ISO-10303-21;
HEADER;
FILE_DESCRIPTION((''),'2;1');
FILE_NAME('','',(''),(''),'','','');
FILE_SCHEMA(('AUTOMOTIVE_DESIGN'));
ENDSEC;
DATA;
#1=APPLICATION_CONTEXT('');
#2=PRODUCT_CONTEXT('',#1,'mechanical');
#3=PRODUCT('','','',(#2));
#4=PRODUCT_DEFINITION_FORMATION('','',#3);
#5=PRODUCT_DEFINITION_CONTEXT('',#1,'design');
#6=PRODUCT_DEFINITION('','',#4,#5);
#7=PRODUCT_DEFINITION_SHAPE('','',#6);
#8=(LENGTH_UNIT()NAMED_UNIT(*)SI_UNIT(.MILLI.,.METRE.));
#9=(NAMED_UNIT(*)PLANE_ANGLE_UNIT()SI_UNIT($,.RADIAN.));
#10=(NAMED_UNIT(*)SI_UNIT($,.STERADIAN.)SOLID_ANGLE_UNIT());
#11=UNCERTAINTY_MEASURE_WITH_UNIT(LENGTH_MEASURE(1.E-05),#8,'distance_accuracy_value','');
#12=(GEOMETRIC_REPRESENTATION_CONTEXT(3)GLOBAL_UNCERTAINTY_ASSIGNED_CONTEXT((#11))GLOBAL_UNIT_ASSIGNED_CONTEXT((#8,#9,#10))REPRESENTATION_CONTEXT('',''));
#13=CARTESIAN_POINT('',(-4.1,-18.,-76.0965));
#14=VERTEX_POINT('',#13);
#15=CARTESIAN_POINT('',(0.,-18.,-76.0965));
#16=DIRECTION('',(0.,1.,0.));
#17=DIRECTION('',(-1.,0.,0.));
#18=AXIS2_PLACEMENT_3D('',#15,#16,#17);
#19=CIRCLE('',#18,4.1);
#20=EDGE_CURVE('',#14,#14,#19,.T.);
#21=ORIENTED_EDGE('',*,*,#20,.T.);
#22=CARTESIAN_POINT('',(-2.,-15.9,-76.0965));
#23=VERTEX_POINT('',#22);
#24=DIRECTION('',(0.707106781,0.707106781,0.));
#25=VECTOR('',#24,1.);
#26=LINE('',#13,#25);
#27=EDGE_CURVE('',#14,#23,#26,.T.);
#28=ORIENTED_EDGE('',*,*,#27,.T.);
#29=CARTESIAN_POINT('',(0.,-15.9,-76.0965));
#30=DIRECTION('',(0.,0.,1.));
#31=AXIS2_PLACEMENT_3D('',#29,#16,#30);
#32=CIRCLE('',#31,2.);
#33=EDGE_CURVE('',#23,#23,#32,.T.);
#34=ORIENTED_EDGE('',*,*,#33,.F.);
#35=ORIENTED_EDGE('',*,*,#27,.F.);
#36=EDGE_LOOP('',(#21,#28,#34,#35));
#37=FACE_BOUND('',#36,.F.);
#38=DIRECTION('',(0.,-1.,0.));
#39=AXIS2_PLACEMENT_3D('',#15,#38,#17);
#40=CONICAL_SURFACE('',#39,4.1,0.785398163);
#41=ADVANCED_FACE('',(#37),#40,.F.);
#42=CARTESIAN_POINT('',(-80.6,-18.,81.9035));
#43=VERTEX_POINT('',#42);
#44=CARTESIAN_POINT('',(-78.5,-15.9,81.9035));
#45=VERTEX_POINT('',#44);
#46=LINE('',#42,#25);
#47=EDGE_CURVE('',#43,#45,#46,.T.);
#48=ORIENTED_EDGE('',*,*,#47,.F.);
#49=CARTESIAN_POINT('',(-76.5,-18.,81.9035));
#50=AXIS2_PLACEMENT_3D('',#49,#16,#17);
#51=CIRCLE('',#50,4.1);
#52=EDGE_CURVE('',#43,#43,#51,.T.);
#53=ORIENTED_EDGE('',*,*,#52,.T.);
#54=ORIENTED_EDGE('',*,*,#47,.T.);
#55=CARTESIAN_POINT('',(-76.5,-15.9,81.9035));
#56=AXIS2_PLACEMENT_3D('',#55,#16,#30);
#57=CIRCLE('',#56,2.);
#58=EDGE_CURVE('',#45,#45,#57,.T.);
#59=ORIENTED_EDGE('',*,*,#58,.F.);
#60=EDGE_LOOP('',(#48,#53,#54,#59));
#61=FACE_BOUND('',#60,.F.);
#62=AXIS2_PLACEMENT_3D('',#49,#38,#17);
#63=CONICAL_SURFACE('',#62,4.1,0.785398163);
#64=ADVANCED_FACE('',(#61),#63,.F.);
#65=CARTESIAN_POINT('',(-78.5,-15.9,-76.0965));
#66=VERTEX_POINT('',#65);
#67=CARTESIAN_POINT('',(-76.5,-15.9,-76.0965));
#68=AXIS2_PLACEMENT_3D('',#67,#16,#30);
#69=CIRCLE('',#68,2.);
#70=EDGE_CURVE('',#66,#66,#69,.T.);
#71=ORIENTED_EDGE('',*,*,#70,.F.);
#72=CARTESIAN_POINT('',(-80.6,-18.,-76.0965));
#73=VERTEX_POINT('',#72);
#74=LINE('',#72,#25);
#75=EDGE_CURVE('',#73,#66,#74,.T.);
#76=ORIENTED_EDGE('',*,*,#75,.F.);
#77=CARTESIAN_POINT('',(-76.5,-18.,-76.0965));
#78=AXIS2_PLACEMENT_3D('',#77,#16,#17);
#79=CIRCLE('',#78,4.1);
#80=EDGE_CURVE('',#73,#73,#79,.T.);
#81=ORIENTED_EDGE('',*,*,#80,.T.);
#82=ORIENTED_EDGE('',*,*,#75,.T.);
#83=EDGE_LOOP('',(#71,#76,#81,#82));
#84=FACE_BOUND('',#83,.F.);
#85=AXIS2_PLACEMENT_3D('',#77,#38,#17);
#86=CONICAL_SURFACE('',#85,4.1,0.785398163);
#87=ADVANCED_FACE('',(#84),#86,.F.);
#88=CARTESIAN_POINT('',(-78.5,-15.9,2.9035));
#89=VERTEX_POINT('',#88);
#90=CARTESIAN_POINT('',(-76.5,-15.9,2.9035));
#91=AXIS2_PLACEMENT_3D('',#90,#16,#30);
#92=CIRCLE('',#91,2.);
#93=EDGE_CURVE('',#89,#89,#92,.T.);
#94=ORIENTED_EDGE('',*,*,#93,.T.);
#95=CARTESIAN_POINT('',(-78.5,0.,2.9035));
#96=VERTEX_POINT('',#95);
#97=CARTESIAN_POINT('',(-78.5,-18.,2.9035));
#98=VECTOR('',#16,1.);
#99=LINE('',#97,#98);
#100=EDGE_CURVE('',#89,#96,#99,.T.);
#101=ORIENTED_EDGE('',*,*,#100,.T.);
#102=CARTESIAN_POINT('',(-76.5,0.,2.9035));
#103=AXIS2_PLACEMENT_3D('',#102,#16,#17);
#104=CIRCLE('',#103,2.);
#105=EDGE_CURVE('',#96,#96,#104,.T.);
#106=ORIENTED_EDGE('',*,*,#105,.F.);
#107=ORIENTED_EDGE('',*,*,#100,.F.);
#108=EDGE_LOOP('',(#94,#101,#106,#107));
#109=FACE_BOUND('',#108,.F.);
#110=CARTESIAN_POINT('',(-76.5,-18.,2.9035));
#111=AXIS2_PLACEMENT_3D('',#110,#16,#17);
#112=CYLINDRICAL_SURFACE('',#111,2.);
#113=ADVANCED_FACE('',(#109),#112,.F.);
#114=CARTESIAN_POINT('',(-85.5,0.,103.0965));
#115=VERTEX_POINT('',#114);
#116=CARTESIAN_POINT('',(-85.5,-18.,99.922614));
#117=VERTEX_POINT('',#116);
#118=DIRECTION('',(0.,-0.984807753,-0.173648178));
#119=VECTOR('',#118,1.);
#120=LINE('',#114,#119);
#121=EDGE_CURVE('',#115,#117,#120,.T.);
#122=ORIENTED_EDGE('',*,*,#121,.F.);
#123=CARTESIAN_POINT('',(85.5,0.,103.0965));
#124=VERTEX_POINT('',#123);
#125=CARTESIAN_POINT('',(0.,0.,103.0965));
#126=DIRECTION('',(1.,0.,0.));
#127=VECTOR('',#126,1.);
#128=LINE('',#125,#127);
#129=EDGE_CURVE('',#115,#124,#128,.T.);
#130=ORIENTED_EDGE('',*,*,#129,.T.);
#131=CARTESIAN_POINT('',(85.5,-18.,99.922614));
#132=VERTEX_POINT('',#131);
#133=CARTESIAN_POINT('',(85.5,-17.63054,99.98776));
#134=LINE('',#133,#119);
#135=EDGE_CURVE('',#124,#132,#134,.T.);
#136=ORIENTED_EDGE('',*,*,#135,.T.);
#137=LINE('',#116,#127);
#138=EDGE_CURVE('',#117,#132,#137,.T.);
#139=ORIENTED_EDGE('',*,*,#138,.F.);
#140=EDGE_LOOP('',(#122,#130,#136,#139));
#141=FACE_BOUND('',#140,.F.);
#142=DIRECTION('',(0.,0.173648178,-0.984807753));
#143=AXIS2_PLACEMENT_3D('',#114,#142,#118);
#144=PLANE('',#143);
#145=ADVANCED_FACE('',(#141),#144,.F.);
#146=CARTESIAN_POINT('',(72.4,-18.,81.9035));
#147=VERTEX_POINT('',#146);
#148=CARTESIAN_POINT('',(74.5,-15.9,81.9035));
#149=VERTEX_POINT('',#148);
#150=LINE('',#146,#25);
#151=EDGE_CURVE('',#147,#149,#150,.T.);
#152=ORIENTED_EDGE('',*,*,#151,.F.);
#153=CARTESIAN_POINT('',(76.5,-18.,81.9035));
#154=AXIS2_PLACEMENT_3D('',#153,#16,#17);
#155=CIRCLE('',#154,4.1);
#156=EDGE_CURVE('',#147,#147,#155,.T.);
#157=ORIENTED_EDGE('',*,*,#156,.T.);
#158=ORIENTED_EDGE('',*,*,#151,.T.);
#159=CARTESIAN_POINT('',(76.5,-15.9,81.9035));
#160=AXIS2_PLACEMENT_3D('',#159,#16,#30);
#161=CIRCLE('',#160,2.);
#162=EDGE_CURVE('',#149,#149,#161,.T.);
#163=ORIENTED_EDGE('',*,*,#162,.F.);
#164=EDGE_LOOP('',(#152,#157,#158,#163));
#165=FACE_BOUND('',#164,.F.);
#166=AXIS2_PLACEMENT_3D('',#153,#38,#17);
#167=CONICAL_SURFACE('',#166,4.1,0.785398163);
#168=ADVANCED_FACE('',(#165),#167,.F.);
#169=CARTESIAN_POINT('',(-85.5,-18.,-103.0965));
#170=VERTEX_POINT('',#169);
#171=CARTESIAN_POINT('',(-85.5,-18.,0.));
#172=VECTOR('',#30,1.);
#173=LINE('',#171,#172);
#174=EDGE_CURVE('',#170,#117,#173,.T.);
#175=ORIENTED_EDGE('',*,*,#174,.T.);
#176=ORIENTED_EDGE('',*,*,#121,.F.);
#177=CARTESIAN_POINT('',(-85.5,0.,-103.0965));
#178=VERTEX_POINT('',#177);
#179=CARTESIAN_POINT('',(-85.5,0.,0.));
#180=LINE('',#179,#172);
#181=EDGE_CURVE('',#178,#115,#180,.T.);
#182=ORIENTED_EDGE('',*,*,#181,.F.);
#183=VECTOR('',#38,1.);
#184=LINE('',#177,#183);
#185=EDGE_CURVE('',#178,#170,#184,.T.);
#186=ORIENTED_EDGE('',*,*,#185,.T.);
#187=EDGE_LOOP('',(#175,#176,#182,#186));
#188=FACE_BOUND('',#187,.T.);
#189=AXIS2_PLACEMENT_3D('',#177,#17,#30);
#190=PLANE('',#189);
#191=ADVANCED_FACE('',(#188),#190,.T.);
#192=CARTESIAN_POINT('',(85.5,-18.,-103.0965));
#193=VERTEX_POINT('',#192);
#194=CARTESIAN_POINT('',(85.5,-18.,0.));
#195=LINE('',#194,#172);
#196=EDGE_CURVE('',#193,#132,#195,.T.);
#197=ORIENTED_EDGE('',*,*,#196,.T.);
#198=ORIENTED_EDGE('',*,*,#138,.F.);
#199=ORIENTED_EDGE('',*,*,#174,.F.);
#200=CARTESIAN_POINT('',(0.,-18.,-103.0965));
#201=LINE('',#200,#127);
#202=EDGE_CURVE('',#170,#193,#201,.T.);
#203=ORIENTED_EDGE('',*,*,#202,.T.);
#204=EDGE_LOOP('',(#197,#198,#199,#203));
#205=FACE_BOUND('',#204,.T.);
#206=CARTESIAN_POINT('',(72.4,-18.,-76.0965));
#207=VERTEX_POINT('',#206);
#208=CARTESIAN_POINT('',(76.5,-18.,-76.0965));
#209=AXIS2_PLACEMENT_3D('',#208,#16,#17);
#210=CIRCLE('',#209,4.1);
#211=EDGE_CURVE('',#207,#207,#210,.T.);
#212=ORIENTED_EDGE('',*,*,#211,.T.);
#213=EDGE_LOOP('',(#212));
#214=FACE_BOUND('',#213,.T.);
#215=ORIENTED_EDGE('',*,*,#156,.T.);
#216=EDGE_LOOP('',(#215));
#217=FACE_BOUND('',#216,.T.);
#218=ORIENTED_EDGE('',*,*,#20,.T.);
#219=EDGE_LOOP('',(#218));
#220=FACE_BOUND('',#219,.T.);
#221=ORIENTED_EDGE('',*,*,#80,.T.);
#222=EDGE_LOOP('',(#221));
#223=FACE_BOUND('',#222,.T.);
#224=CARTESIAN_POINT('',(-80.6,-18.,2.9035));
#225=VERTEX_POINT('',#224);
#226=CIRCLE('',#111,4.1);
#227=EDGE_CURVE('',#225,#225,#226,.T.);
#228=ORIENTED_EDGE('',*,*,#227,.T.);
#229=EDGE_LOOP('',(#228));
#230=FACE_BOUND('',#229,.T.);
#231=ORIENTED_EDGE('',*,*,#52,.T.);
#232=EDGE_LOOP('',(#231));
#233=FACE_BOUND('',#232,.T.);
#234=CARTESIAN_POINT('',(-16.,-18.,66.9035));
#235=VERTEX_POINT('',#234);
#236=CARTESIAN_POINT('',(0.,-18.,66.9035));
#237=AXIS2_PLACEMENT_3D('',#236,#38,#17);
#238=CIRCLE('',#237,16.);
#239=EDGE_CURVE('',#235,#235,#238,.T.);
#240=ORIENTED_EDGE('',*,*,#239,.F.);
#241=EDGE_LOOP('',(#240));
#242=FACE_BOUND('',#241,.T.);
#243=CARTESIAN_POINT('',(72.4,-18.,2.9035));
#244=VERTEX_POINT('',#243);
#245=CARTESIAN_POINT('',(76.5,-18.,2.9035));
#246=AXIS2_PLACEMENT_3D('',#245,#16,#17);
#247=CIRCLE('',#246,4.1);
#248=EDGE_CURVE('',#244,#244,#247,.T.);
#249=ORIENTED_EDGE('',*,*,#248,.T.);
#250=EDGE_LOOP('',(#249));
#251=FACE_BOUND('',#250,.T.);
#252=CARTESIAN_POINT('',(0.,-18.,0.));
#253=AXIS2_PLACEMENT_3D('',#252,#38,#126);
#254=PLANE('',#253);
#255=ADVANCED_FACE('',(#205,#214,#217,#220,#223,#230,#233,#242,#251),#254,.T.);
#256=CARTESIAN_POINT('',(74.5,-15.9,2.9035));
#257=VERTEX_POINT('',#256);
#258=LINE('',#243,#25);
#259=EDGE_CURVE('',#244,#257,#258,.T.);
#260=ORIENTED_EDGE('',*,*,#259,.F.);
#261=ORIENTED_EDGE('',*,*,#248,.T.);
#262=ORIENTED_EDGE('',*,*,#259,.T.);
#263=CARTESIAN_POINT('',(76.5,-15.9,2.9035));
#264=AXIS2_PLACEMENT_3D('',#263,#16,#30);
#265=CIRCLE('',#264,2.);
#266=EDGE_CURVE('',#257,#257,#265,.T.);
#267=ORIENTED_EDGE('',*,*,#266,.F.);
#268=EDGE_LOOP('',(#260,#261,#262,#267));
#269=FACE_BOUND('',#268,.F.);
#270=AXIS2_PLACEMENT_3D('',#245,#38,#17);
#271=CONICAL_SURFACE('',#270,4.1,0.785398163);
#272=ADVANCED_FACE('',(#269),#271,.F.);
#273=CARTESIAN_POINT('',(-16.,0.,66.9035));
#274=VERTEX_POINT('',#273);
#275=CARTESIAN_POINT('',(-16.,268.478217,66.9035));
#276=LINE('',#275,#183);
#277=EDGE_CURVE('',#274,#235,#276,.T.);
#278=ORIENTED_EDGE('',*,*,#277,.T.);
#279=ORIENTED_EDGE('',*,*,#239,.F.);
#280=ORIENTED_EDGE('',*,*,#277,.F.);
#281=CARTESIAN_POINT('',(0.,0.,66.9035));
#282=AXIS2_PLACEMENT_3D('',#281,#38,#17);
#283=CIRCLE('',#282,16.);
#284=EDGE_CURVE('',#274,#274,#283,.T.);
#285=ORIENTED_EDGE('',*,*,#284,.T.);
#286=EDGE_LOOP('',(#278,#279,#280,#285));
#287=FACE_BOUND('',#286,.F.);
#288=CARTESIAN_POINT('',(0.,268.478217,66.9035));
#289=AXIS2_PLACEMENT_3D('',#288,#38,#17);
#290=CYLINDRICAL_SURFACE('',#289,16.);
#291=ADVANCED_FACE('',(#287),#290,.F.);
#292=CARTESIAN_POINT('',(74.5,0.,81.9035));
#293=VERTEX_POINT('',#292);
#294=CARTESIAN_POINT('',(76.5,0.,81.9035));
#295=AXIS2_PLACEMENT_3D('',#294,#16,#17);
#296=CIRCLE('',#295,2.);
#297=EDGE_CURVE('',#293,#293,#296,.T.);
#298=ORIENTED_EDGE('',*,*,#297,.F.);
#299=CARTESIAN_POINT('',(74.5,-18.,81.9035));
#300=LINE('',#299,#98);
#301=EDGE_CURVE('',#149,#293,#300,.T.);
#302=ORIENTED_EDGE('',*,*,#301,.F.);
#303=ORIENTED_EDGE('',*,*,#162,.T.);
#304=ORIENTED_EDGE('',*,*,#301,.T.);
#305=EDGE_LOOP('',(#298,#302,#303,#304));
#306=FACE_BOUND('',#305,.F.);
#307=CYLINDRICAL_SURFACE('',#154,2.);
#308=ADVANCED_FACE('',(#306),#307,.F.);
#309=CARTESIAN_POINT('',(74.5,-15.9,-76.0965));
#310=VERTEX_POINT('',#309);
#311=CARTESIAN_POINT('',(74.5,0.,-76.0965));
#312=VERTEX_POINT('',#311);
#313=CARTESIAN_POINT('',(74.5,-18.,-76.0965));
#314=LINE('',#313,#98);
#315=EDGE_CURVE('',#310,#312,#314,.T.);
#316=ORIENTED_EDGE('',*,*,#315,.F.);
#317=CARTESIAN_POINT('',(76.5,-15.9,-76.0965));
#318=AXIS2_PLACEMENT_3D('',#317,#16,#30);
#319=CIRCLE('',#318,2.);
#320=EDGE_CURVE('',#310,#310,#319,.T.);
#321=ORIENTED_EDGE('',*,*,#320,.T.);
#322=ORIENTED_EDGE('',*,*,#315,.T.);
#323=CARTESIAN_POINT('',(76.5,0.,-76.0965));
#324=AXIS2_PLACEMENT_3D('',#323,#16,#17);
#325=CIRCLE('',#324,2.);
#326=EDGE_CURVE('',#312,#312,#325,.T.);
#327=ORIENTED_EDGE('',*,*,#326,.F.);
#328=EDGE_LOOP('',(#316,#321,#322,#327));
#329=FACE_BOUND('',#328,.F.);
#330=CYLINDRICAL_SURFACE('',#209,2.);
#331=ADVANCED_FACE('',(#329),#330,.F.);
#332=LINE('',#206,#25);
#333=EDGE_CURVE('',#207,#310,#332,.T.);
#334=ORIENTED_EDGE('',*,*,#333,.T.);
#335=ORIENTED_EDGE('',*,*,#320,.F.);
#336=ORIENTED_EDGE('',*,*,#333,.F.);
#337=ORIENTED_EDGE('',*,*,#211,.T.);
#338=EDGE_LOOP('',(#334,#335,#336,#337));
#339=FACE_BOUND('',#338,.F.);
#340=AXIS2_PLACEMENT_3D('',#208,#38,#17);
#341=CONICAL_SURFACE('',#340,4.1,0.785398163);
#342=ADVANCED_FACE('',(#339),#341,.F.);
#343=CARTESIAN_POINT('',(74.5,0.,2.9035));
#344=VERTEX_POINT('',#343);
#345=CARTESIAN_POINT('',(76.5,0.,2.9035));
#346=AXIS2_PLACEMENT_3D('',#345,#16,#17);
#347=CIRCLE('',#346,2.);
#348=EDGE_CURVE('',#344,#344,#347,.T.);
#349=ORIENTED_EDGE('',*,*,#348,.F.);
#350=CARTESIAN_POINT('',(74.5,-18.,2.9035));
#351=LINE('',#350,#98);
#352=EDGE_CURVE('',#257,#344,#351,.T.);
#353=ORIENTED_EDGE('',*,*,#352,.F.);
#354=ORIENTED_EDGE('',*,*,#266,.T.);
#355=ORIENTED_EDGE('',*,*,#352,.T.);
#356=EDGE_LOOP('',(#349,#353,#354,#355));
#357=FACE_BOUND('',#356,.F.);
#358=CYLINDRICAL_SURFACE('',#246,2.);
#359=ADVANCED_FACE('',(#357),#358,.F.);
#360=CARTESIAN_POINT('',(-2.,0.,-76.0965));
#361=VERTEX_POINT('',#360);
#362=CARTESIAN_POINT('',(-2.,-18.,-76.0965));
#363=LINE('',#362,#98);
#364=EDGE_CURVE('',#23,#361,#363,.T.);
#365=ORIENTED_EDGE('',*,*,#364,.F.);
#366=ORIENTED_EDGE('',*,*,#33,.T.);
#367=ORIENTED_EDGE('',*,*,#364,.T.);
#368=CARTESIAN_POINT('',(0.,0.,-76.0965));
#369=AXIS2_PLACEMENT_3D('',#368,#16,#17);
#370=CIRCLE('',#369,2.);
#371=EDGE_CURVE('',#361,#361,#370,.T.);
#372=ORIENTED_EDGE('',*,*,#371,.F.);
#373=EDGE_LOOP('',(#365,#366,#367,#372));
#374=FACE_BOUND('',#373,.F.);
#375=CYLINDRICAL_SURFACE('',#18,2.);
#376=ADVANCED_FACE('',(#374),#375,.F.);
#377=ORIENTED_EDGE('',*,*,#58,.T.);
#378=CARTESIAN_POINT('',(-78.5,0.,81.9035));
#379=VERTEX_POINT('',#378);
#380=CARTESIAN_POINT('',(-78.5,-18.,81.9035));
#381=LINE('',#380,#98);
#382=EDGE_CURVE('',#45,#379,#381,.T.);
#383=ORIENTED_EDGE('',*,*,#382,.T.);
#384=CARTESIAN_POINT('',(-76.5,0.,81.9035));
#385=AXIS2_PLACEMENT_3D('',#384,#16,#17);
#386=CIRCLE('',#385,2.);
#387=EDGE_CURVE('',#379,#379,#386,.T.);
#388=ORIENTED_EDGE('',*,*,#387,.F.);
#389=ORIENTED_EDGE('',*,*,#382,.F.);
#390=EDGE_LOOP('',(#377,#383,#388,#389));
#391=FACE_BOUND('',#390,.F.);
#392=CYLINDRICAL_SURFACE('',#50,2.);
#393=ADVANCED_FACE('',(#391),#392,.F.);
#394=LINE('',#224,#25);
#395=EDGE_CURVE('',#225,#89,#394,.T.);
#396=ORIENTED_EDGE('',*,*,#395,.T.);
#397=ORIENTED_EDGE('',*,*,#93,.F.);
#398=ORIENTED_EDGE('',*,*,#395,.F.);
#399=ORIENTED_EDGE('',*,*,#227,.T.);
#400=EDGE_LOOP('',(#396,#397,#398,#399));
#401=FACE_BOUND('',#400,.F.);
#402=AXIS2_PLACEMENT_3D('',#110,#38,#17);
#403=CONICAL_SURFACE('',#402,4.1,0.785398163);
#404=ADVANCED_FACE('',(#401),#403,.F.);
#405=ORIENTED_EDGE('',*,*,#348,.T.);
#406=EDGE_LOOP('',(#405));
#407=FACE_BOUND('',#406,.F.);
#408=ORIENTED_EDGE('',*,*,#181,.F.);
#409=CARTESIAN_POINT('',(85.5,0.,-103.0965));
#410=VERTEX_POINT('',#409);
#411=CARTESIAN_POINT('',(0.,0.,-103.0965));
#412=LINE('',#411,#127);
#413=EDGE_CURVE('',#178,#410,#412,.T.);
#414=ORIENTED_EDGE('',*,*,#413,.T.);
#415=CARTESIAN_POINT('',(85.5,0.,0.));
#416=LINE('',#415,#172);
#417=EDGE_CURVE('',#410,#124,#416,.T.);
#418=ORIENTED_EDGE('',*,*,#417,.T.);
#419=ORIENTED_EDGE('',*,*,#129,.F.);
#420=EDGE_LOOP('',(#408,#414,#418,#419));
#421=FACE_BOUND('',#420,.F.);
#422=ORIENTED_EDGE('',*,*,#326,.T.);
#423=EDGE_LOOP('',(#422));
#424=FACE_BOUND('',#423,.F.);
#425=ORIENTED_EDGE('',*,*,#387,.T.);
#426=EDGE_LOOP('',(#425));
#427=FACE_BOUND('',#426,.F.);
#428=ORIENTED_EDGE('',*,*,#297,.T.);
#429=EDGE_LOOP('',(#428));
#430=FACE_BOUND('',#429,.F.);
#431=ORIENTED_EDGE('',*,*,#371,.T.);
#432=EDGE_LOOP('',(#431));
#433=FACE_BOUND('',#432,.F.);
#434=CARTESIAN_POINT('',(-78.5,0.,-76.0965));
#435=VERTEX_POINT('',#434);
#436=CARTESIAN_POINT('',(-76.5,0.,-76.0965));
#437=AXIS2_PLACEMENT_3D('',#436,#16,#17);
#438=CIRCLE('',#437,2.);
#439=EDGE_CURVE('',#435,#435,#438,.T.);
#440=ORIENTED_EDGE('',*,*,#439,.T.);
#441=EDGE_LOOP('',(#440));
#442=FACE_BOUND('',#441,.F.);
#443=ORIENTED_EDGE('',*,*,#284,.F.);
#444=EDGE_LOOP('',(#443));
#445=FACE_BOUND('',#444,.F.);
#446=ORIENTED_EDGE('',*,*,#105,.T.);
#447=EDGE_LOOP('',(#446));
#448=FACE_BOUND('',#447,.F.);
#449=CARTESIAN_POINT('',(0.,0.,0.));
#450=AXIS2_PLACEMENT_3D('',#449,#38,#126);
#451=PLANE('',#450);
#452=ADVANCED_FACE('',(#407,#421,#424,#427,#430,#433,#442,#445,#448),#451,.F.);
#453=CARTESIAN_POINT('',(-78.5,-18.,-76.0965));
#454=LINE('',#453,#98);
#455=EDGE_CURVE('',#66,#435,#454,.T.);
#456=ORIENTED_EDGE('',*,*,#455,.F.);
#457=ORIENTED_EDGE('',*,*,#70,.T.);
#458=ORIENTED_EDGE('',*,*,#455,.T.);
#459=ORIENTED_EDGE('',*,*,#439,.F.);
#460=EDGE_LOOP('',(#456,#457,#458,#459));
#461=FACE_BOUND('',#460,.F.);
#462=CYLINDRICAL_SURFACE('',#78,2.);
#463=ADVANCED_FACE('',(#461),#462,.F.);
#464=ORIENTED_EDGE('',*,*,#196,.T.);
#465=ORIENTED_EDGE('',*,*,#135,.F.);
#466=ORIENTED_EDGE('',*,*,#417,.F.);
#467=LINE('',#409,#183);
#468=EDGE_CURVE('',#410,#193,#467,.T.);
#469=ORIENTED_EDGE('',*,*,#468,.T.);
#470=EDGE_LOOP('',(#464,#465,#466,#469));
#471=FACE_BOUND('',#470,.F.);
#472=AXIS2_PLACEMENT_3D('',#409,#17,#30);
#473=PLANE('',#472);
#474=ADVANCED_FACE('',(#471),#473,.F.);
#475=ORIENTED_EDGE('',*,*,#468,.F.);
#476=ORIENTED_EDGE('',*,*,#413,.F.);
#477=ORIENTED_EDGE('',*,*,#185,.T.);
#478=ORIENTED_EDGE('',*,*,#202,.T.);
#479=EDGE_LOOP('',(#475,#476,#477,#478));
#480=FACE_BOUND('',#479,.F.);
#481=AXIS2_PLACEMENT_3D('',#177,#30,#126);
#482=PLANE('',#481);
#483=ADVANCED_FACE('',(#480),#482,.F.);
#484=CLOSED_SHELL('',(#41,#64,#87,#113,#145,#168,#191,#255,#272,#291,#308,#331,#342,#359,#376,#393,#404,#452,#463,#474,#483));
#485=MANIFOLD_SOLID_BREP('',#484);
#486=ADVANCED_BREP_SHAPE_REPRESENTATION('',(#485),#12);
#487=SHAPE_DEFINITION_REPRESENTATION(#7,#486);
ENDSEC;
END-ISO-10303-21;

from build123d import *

# Parameters (mm, degrees)
F0_W           = 171
F0_H           = 206.193
F1_DEPTH       = 18
F2_D           = 32
F4_DEPTH       = 171.001
F6_D           = 4
F6_CSINK_D     = 8.2
F6_CSINK_ANGLE = 90
F7_D           = 4
F7_CSINK_D     = 8.2
F7_CSINK_ANGLE = 90
F8_D           = 4
F8_CSINK_D     = 8.2
F8_CSINK_ANGLE = 90
F9_D           = 4
F9_CSINK_D     = 8.2
F9_CSINK_ANGLE = 90


with BuildPart() as f1:
    # F0 (on Front) → F1 (new body)
    with BuildSketch(Plane.XZ):
        Rectangle(F0_W, F0_H)
    extrude(amount=F1_DEPTH)

    # F2 (through all)
    with Locations(Plane(origin=(0, 0, 0), x_dir=(1, 0, 0), z_dir=(0, 1, 0))):
        with Locations((0, -66.9035)):
            Hole(F2_D / 2)

    # F3 (on face) → F4 (cut, through all)
    with BuildSketch(Plane(origin=(-85.5, 0, 0), x_dir=(0, -1, 0), z_dir=(-1, 0, 0))):
        Polygon((18, 103.0965), (0, 103.0965), (18, 99.9226143472), align=None)
    extrude(amount=-F4_DEPTH, mode=Mode.SUBTRACT)

    # F6 (through all)
    with Locations(Plane.XZ.offset(18)):
        with Locations((0, -76.0965)):
            CounterSinkHole(F6_D / 2, F6_CSINK_D / 2, counter_sink_angle=F6_CSINK_ANGLE)

    # F7 (through all)
    with Locations(Plane.XZ.offset(18)):
        with Locations((-76.5, -76.0965), (76.5, -76.0965)):
            CounterSinkHole(F7_D / 2, F7_CSINK_D / 2, counter_sink_angle=F7_CSINK_ANGLE)

    # F8 (through all)
    with Locations(Plane.XZ.offset(18)):
        with Locations((-76.5, 81.9035), (76.5, 81.9035)):
            CounterSinkHole(F8_D / 2, F8_CSINK_D / 2, counter_sink_angle=F8_CSINK_ANGLE)

    # F9 (through all)
    with Locations(Plane.XZ.offset(18)):
        with Locations((-76.5, 2.9035), (76.5, 2.9035)):
            CounterSinkHole(F9_D / 2, F9_CSINK_D / 2, counter_sink_angle=F9_CSINK_ANGLE)


solid = f1.part
